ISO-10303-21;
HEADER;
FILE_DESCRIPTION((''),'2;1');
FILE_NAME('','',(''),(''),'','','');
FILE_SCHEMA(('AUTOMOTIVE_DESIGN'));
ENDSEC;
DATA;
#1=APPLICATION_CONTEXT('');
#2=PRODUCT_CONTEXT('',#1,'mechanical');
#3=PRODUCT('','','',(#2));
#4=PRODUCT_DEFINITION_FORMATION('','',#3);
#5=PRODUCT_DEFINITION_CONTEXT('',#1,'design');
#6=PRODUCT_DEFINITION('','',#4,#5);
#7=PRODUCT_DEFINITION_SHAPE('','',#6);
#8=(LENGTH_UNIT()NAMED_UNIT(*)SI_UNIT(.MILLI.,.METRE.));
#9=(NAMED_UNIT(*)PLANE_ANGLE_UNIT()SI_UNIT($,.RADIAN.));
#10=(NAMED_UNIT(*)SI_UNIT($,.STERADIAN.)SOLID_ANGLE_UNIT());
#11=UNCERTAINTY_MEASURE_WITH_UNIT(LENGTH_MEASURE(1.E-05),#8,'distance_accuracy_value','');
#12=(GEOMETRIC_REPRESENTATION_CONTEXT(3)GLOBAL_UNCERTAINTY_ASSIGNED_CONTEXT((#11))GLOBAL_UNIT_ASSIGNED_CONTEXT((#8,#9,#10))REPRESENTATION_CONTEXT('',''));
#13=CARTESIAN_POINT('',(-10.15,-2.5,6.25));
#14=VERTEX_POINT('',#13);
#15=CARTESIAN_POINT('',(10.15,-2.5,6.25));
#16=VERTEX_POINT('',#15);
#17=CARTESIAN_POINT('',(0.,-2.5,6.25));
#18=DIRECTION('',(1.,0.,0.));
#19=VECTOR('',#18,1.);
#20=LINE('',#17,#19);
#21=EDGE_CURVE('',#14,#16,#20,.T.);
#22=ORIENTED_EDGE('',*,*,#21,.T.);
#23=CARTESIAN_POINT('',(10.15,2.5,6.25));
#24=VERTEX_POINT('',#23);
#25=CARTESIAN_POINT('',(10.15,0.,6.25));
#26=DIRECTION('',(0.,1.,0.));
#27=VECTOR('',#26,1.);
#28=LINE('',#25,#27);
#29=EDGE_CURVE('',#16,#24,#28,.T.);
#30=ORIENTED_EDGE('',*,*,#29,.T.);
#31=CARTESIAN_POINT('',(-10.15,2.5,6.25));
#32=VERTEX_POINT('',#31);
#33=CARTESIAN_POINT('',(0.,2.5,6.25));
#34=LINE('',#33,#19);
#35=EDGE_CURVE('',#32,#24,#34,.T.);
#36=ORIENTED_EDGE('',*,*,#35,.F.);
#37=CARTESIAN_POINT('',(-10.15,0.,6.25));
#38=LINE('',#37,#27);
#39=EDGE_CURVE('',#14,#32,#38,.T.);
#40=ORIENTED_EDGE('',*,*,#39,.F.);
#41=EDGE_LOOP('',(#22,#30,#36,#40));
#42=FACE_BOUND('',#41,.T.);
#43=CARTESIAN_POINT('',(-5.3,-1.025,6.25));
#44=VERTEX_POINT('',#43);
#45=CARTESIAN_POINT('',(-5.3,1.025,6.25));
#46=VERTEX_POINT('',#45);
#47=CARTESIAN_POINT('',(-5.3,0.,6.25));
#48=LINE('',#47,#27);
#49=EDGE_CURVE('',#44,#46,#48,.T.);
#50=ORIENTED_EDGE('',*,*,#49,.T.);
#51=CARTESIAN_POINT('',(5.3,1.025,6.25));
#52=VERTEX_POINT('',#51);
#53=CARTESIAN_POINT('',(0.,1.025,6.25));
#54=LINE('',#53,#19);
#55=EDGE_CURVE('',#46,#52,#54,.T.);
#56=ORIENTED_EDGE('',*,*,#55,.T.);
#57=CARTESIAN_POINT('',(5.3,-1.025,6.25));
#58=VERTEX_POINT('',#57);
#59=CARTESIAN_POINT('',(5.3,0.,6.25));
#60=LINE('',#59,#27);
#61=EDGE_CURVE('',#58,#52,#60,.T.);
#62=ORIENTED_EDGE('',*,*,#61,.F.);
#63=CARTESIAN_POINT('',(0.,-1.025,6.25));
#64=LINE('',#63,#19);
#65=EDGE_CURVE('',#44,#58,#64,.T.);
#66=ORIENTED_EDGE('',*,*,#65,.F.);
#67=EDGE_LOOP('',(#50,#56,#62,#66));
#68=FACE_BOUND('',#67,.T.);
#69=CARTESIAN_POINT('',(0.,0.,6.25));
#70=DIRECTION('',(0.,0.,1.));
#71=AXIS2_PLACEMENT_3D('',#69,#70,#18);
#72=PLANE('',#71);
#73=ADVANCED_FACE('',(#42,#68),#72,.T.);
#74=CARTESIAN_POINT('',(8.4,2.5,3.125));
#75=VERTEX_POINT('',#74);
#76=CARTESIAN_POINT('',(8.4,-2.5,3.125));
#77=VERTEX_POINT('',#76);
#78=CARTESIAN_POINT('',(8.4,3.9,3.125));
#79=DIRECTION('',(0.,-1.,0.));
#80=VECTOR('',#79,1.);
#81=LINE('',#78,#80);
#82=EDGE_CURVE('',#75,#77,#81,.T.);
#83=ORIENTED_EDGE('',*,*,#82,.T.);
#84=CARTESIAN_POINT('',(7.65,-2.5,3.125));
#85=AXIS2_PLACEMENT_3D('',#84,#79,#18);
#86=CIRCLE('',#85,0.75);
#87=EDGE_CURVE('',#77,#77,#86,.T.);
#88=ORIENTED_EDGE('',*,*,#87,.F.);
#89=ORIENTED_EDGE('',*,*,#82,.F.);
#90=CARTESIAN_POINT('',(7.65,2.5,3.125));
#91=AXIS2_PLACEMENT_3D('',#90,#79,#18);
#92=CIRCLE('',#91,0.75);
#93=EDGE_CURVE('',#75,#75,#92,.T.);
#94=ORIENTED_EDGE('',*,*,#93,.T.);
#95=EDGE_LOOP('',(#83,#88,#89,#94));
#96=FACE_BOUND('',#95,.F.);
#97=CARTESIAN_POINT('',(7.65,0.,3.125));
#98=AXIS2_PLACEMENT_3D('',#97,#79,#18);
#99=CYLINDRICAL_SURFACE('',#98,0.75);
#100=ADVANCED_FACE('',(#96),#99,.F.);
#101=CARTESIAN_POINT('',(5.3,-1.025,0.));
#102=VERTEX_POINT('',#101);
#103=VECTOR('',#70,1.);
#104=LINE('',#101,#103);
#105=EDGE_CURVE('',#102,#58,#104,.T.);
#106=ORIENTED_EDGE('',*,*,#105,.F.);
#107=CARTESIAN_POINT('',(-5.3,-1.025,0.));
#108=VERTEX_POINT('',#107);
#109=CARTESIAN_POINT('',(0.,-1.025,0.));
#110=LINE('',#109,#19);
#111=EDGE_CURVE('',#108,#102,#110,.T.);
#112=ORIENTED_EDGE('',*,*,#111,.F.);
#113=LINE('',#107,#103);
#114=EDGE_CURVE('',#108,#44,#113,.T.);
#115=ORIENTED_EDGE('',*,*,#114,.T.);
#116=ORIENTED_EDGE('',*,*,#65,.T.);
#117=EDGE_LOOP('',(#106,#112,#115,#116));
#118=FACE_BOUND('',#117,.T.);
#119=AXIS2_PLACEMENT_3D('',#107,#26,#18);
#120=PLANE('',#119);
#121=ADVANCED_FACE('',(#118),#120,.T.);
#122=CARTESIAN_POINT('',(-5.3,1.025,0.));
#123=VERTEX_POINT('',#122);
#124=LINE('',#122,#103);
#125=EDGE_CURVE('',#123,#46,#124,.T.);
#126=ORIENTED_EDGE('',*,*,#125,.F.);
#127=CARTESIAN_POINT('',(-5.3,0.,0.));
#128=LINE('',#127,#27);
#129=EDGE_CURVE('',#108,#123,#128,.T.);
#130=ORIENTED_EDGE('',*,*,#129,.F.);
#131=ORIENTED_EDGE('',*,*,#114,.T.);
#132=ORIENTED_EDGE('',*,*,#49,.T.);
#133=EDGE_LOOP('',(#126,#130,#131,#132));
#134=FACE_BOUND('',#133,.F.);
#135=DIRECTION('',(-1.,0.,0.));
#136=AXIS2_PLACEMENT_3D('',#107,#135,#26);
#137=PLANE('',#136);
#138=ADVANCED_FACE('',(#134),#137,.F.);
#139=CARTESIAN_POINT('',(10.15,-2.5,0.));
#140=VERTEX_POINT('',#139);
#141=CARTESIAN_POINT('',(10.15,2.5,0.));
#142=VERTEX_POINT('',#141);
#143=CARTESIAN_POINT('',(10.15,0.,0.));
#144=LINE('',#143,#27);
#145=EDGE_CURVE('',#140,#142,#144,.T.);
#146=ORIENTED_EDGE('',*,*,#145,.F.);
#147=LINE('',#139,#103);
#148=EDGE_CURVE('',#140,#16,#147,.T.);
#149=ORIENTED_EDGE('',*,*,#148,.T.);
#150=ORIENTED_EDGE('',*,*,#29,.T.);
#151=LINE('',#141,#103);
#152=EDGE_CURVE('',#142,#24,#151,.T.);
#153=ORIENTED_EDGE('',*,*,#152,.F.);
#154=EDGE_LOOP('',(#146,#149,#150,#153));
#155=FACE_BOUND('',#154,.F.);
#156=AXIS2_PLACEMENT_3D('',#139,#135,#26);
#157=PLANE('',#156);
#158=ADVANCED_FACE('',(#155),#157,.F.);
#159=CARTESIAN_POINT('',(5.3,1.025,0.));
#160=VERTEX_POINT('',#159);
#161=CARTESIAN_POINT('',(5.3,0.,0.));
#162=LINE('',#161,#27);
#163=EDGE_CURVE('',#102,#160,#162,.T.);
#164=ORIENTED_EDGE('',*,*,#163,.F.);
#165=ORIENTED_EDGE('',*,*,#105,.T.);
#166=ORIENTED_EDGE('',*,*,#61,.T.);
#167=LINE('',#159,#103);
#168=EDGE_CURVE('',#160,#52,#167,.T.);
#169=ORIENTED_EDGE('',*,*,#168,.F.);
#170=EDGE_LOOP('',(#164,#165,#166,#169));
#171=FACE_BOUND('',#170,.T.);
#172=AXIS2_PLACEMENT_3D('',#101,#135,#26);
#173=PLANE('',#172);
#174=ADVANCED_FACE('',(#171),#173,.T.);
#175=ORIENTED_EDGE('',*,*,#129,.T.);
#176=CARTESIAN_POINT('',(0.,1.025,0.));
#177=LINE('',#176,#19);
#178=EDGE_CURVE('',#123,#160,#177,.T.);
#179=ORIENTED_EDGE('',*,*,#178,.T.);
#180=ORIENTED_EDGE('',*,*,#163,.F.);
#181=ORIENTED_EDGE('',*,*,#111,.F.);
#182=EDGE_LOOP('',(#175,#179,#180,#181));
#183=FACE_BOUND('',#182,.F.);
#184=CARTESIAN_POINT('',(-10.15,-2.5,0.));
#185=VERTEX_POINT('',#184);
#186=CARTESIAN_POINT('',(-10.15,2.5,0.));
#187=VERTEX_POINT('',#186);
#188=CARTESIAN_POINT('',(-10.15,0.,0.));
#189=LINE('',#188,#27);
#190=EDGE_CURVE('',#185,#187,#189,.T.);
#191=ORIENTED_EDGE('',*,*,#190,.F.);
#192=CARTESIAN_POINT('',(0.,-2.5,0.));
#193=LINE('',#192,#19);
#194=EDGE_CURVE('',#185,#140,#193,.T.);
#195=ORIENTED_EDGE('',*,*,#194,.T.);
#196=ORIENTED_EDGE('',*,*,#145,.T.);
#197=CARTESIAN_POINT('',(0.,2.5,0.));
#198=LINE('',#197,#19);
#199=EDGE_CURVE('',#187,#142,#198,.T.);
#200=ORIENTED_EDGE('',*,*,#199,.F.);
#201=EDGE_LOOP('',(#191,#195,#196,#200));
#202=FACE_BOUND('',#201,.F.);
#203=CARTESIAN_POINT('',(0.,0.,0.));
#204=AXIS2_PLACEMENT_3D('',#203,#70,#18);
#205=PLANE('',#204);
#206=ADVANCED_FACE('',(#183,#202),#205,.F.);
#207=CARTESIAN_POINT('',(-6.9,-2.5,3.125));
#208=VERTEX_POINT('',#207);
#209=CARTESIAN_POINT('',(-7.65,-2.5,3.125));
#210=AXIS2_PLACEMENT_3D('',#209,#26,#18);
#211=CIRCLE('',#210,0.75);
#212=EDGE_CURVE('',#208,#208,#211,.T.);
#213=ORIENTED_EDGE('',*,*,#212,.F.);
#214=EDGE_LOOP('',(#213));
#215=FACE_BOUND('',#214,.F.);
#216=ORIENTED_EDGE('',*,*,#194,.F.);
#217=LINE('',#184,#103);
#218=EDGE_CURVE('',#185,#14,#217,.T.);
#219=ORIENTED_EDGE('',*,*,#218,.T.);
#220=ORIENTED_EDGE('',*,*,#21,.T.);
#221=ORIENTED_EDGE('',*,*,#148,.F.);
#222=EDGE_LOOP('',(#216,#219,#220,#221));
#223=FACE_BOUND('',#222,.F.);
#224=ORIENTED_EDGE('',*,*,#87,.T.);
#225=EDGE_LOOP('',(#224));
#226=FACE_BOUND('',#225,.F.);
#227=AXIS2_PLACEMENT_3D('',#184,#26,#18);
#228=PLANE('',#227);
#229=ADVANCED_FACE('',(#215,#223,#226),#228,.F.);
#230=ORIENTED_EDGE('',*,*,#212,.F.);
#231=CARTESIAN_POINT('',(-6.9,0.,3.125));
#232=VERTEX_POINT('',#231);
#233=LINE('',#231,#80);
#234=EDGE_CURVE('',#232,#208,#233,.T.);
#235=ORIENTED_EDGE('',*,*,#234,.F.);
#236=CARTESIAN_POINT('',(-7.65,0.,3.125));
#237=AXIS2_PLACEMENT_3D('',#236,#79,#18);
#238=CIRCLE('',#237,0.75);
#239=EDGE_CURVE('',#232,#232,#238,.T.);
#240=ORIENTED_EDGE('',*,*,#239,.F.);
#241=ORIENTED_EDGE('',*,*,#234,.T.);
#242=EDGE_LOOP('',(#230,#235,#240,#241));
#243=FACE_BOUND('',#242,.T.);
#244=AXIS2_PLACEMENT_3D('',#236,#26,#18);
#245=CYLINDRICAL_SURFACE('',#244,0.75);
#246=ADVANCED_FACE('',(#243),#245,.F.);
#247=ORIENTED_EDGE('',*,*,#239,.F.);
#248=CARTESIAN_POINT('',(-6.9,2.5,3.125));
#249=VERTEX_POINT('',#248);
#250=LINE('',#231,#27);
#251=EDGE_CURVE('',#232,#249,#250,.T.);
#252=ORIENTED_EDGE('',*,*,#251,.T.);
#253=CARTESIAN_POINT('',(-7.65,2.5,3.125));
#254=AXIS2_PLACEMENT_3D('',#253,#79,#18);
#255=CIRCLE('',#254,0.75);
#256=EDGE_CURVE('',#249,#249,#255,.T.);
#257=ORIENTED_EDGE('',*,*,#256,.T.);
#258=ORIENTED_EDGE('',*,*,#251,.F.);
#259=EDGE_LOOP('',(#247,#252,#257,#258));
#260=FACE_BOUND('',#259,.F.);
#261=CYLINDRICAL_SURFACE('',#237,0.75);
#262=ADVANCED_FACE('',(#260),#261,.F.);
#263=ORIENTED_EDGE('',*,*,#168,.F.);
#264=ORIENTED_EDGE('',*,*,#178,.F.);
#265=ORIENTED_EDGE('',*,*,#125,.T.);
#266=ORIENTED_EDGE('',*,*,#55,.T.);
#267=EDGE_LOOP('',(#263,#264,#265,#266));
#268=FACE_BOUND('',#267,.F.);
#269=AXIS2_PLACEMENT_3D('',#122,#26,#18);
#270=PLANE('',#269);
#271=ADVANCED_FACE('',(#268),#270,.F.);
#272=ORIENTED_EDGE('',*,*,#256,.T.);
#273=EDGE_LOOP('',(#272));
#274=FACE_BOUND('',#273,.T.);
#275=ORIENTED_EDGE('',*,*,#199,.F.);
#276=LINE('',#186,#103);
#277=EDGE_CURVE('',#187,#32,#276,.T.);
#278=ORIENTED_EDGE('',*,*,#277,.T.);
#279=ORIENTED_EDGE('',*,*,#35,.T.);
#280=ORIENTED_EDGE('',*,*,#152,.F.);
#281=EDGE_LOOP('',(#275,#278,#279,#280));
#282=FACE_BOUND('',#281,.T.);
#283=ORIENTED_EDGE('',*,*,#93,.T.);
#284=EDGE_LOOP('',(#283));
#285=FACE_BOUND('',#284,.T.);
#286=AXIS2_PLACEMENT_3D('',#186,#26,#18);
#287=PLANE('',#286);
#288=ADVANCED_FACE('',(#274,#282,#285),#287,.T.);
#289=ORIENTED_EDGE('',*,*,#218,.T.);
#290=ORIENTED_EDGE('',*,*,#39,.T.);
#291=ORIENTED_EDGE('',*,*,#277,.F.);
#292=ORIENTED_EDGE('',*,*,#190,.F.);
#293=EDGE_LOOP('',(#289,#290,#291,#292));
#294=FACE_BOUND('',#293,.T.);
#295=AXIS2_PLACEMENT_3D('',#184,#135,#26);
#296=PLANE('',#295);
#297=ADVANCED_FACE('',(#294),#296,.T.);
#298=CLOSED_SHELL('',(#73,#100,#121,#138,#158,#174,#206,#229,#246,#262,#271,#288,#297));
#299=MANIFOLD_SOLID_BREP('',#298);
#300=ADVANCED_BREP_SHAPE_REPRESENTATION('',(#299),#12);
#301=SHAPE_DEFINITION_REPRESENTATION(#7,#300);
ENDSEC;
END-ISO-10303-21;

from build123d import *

# Parameters (mm, degrees)
F0_W     = 20.3
F0_H     = 5
F0_W_2   = 10.6
F0_H_2   = 2.05
F1_DEPTH = 6.25
F2_R     = 0.75
F3_DEPTH = 3.9


with BuildPart() as f1:
    # F0 (on Top) → F1 (new body)
    with BuildSketch(Plane.XY):
        Rectangle(F0_W, F0_H)
        Rectangle(F0_W_2, F0_H_2, mode=Mode.SUBTRACT)
    extrude(amount=F1_DEPTH)

    # F2 (on Front) → F3 (cut, symmetric)
    with BuildSketch(Plane.XZ):
        with Locations((-7.65, 3.125)):
            Circle(F2_R)
        with Locations((7.65, 3.125)):
            Circle(F2_R)
    extrude(amount=F3_DEPTH, both=True, mode=Mode.SUBTRACT)


solid = f1.part
